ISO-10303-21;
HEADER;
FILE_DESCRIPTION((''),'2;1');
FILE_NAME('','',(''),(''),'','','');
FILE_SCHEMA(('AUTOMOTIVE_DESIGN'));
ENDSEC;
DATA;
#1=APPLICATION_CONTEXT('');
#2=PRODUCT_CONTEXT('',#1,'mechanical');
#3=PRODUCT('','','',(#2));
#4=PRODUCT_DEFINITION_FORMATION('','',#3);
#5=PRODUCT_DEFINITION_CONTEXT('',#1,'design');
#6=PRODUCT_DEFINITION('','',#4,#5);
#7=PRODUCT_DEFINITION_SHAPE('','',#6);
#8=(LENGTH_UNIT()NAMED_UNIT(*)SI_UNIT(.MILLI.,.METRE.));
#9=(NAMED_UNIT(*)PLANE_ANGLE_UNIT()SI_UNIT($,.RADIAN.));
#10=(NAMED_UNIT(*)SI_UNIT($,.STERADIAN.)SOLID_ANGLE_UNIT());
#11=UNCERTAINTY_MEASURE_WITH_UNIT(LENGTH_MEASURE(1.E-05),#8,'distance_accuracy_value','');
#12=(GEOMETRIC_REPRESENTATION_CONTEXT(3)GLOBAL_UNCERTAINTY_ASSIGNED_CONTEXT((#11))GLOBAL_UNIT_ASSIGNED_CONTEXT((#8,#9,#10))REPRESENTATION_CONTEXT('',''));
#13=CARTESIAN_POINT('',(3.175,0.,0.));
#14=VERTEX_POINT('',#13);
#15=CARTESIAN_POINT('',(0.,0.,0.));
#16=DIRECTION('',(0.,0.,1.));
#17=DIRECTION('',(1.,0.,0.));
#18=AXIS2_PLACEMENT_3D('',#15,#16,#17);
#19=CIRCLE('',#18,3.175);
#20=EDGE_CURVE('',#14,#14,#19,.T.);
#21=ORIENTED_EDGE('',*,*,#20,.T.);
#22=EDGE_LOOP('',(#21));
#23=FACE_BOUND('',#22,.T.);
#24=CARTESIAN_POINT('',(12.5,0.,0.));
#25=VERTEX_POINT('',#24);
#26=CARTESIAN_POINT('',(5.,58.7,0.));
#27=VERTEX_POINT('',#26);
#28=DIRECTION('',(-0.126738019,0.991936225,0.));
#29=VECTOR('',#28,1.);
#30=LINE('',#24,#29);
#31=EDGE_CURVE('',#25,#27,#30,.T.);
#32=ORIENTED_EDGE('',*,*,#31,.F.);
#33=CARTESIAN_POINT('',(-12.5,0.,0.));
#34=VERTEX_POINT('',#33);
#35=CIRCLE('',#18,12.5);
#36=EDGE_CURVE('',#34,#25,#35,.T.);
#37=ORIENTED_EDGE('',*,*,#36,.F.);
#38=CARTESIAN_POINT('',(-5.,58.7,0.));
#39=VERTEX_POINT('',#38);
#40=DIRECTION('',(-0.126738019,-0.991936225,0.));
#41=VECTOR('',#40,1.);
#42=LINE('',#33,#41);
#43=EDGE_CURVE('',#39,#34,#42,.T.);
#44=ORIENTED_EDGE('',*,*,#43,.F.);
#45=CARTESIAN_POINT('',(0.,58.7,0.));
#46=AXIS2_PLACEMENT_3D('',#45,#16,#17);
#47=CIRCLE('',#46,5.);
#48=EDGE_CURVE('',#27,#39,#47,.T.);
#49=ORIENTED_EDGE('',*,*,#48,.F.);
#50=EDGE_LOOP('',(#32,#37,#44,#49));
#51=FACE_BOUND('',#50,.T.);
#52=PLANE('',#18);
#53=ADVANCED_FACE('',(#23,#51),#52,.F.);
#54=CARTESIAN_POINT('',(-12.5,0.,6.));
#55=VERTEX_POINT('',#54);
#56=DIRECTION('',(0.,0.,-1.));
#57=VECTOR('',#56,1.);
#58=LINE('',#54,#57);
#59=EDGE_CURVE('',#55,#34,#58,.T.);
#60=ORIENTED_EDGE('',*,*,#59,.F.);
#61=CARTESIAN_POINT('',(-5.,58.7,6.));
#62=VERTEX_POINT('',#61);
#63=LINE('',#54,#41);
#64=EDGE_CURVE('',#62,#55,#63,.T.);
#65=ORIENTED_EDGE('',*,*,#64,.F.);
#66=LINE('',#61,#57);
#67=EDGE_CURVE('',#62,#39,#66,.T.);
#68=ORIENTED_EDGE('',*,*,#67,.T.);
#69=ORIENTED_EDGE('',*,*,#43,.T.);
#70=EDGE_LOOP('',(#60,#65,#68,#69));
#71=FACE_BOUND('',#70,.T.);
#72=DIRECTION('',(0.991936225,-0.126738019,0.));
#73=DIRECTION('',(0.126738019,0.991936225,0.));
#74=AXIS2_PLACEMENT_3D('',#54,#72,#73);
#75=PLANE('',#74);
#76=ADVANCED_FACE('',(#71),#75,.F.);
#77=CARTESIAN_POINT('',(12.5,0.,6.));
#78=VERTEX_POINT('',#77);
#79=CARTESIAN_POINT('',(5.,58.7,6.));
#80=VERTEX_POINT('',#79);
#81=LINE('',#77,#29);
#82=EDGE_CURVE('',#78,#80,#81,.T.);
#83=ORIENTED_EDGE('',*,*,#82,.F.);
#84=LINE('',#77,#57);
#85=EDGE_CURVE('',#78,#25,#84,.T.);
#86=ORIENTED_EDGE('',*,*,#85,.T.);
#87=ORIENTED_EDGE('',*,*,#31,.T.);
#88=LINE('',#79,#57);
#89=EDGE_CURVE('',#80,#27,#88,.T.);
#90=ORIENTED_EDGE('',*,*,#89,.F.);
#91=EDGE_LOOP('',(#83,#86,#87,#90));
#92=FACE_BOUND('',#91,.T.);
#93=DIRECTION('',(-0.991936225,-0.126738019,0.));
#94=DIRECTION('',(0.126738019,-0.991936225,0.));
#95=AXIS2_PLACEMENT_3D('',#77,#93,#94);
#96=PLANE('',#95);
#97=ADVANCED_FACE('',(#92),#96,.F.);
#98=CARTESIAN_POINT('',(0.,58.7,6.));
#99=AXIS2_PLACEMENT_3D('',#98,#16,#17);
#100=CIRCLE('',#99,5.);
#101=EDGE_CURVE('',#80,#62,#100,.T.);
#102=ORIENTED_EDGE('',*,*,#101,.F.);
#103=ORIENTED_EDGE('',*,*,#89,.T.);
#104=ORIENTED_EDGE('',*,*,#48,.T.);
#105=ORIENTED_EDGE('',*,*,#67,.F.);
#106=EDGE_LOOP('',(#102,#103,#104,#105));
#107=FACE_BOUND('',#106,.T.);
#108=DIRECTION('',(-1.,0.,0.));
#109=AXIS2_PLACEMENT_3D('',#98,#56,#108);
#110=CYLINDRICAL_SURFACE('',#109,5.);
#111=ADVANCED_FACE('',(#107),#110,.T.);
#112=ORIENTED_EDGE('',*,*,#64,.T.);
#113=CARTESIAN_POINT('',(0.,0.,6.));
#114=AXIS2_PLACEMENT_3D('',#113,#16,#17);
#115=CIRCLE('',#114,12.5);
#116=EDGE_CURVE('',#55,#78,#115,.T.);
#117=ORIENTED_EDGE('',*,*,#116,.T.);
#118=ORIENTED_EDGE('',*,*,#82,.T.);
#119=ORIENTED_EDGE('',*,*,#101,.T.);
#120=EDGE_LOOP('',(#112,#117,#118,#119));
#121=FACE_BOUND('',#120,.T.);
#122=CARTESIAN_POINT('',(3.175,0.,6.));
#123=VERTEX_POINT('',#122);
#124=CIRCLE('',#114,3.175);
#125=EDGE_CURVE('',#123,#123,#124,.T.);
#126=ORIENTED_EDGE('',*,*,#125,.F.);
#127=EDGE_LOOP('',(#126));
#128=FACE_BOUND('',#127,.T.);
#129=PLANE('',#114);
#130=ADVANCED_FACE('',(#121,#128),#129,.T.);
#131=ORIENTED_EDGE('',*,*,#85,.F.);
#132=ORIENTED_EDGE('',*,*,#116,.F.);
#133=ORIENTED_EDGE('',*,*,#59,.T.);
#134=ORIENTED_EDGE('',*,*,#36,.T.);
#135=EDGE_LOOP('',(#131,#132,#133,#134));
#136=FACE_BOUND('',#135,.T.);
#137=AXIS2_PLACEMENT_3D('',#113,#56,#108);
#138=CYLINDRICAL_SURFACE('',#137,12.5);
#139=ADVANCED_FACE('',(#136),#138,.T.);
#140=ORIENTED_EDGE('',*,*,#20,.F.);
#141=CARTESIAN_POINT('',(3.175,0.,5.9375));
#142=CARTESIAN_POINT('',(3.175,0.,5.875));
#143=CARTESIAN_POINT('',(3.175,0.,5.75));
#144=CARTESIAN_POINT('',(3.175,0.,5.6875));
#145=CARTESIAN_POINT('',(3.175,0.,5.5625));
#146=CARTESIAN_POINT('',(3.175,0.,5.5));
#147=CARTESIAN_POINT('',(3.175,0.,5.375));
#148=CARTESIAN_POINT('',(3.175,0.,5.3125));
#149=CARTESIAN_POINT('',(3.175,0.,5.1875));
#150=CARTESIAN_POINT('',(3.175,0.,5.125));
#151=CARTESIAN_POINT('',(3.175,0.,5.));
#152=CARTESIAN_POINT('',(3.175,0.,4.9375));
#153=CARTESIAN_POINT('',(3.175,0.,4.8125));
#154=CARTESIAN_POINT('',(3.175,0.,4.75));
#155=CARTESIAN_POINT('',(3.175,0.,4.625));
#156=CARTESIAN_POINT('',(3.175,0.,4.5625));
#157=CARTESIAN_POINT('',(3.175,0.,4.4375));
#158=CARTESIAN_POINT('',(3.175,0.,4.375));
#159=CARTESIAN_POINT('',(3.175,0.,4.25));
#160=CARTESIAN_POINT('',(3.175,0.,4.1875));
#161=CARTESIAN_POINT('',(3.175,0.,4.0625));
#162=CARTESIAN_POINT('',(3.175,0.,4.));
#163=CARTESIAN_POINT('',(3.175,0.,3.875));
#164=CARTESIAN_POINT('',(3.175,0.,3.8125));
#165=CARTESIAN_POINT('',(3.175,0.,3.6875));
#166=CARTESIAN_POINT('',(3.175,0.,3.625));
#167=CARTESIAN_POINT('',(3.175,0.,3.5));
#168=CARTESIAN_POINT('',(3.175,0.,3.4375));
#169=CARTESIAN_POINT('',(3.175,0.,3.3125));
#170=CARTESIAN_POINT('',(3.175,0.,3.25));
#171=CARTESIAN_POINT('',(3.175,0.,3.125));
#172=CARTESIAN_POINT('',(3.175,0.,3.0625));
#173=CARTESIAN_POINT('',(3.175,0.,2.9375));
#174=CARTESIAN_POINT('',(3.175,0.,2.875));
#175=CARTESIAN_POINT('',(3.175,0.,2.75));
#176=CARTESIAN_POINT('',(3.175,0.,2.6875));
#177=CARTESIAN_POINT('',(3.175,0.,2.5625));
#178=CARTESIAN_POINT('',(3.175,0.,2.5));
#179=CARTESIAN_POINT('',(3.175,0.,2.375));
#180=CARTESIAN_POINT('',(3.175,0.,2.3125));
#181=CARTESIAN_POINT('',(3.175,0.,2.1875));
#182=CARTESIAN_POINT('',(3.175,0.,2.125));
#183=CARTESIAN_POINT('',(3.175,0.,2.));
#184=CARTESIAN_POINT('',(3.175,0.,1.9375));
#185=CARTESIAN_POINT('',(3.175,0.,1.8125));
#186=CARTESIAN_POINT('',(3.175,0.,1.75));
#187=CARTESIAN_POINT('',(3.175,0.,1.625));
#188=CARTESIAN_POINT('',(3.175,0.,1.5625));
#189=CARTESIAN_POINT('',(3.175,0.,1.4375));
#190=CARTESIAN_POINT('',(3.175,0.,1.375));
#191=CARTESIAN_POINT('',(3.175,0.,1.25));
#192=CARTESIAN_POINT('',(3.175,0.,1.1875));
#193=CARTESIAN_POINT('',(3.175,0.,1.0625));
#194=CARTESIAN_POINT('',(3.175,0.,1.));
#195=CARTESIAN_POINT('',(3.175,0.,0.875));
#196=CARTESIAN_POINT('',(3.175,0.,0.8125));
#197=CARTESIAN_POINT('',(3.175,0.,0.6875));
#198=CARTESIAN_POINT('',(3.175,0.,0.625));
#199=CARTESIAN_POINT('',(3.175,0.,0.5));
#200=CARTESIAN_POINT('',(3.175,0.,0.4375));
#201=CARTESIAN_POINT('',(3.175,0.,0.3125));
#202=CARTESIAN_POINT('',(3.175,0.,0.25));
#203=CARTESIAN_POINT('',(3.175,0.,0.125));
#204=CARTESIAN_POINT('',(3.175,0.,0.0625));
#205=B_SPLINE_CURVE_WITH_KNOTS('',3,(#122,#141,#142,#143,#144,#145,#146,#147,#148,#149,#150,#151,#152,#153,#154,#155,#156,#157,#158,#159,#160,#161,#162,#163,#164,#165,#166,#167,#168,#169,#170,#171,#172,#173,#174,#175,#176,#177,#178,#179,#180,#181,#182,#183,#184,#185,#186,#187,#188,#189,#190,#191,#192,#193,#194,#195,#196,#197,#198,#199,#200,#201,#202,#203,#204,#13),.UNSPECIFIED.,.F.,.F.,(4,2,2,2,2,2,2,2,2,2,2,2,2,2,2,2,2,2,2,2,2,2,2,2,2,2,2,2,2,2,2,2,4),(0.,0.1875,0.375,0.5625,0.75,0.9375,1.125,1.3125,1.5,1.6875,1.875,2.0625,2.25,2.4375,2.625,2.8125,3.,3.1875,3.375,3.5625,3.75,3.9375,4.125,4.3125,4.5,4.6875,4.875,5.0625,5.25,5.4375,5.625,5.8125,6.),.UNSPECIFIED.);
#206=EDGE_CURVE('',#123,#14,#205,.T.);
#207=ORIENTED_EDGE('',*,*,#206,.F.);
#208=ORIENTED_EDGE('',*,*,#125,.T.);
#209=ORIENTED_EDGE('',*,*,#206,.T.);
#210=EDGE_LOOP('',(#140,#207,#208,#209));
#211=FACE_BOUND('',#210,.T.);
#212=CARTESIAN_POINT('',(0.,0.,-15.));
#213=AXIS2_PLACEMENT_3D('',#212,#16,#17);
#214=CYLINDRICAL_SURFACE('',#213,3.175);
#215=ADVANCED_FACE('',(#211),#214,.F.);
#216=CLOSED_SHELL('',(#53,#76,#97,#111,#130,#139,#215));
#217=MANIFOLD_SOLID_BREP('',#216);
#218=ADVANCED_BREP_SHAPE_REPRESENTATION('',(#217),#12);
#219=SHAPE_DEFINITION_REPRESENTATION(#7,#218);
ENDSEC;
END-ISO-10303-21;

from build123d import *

# Parameters (mm, degrees)
BOSS_EXTRUDE1_DEPTH = 6
SKETCH2_R           = 3.175
CUT_EXTRUDE1_DEPTH  = 21


with BuildPart() as part:
    # Sketch1 → Boss-Extrude1 (new body)
    with BuildSketch(Plane(origin=(0, 0, 0), x_dir=(0, 1, 0), z_dir=(0, 0, 1))):
        with BuildLine():
            Line((0, 12.5), (58.7, 5))
            ThreePointArc((58.7, 5), (63.7, 0), (58.7, -5))
            Line((58.7, -5), (0, -12.5))
            ThreePointArc((0, -12.5), (-12.5, 0), (0, 12.5))
        make_face()
    extrude(amount=BOSS_EXTRUDE1_DEPTH)

    # Sketch2 → Cut-Extrude1 (cut)
    with BuildSketch(Plane.XY.offset(6)):
        Circle(SKETCH2_R)
    extrude(amount=-CUT_EXTRUDE1_DEPTH, mode=Mode.SUBTRACT)


solid = part.part
